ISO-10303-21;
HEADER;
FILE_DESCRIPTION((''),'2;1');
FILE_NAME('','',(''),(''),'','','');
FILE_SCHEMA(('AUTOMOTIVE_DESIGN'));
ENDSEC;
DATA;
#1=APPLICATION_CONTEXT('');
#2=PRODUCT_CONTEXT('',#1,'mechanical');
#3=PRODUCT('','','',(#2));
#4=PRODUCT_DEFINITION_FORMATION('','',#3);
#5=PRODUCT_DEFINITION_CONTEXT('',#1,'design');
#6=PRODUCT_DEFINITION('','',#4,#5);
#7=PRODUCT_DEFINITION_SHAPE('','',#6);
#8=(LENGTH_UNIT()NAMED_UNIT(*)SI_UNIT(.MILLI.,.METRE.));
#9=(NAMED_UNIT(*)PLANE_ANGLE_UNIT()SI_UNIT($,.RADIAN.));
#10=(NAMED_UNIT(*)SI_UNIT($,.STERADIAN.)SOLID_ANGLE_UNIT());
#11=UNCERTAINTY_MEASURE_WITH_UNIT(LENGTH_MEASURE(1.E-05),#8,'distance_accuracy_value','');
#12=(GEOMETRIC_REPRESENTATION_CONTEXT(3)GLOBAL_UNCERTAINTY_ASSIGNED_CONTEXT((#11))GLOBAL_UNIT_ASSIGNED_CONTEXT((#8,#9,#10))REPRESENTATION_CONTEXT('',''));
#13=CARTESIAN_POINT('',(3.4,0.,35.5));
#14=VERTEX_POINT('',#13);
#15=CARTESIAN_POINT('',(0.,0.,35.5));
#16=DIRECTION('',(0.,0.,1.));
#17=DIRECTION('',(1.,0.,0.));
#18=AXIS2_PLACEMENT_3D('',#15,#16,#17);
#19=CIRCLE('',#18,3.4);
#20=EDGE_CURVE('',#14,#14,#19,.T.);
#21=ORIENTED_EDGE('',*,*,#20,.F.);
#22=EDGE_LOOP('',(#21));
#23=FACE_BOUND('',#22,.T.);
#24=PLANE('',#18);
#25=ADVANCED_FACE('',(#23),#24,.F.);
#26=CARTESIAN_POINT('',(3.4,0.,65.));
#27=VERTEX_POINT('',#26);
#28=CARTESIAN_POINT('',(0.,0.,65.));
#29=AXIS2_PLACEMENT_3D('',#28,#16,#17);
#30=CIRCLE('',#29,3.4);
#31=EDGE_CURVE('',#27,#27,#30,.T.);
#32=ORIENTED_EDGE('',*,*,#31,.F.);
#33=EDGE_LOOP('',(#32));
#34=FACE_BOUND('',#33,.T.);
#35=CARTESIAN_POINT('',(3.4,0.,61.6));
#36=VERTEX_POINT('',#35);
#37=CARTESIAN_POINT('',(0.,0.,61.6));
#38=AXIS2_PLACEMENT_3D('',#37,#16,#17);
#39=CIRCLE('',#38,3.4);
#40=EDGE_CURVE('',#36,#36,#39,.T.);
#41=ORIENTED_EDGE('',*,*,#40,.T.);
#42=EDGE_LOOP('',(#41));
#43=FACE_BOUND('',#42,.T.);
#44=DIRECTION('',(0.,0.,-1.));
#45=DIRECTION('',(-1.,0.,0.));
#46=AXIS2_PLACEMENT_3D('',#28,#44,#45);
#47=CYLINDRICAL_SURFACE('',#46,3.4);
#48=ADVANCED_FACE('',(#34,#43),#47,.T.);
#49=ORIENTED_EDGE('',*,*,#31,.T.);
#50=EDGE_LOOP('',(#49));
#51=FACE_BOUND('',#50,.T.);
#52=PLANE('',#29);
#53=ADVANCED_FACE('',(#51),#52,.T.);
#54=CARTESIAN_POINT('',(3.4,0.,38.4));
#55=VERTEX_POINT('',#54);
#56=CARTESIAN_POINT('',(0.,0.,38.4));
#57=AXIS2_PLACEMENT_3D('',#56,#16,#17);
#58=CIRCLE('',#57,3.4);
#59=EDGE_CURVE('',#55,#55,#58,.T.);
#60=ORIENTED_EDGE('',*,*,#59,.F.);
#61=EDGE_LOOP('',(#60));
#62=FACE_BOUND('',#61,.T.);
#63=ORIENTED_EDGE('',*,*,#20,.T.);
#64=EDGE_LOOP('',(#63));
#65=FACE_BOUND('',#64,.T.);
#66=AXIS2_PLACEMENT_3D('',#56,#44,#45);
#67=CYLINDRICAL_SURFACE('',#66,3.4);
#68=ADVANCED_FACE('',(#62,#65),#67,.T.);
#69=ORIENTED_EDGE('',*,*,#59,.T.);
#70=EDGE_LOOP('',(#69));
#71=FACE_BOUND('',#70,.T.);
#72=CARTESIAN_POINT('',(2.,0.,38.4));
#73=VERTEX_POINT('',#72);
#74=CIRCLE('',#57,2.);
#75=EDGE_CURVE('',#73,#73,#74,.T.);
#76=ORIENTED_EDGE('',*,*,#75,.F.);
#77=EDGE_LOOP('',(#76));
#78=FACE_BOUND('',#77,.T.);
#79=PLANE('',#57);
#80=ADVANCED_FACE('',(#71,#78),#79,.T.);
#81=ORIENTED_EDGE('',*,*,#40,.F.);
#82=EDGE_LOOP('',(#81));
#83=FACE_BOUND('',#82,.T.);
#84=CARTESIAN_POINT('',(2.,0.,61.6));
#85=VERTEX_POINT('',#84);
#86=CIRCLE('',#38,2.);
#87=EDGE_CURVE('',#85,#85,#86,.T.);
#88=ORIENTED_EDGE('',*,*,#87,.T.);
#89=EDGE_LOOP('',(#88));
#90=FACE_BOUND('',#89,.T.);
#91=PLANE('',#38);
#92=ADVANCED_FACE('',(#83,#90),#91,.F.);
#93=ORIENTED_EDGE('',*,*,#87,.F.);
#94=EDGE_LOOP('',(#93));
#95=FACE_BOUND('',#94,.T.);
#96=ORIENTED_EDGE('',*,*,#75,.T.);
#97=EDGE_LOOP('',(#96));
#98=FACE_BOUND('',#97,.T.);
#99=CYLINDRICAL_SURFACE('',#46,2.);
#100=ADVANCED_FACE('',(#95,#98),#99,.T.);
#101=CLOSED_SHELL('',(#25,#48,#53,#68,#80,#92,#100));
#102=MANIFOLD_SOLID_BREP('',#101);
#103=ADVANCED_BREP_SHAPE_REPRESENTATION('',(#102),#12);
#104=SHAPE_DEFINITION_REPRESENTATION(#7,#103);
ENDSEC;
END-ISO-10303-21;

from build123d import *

# Parameters (mm, degrees)
M4_START                = 35.5
SKETCH1_R               = 2
M4_SHANK_AND_GRIP_DEPTH = 29.5
HEAD_START              = 61.6
SKETCH2_R               = 3.4
HEAD_DEPTH              = 3.4
LOCKNUT_START           = 35.5
SKETCH3_R               = 3.4
LOCKNUT_DEPTH           = 2.9


with BuildPart() as part:
    # Sketch1 → M4 shank and grip (new body)
    with BuildSketch(Plane.XY.offset(M4_START)):
        Circle(SKETCH1_R)
    extrude(amount=M4_SHANK_AND_GRIP_DEPTH)

    # Sketch2 → Head (add)
    with BuildSketch(Plane.XY.offset(HEAD_START)):
        Circle(SKETCH2_R)
    extrude(amount=HEAD_DEPTH)

    # Sketch3 → Locknut (add)
    with BuildSketch(Plane.XY.offset(LOCKNUT_START)):
        Circle(SKETCH3_R)
    extrude(amount=LOCKNUT_DEPTH)


solid = part.part
